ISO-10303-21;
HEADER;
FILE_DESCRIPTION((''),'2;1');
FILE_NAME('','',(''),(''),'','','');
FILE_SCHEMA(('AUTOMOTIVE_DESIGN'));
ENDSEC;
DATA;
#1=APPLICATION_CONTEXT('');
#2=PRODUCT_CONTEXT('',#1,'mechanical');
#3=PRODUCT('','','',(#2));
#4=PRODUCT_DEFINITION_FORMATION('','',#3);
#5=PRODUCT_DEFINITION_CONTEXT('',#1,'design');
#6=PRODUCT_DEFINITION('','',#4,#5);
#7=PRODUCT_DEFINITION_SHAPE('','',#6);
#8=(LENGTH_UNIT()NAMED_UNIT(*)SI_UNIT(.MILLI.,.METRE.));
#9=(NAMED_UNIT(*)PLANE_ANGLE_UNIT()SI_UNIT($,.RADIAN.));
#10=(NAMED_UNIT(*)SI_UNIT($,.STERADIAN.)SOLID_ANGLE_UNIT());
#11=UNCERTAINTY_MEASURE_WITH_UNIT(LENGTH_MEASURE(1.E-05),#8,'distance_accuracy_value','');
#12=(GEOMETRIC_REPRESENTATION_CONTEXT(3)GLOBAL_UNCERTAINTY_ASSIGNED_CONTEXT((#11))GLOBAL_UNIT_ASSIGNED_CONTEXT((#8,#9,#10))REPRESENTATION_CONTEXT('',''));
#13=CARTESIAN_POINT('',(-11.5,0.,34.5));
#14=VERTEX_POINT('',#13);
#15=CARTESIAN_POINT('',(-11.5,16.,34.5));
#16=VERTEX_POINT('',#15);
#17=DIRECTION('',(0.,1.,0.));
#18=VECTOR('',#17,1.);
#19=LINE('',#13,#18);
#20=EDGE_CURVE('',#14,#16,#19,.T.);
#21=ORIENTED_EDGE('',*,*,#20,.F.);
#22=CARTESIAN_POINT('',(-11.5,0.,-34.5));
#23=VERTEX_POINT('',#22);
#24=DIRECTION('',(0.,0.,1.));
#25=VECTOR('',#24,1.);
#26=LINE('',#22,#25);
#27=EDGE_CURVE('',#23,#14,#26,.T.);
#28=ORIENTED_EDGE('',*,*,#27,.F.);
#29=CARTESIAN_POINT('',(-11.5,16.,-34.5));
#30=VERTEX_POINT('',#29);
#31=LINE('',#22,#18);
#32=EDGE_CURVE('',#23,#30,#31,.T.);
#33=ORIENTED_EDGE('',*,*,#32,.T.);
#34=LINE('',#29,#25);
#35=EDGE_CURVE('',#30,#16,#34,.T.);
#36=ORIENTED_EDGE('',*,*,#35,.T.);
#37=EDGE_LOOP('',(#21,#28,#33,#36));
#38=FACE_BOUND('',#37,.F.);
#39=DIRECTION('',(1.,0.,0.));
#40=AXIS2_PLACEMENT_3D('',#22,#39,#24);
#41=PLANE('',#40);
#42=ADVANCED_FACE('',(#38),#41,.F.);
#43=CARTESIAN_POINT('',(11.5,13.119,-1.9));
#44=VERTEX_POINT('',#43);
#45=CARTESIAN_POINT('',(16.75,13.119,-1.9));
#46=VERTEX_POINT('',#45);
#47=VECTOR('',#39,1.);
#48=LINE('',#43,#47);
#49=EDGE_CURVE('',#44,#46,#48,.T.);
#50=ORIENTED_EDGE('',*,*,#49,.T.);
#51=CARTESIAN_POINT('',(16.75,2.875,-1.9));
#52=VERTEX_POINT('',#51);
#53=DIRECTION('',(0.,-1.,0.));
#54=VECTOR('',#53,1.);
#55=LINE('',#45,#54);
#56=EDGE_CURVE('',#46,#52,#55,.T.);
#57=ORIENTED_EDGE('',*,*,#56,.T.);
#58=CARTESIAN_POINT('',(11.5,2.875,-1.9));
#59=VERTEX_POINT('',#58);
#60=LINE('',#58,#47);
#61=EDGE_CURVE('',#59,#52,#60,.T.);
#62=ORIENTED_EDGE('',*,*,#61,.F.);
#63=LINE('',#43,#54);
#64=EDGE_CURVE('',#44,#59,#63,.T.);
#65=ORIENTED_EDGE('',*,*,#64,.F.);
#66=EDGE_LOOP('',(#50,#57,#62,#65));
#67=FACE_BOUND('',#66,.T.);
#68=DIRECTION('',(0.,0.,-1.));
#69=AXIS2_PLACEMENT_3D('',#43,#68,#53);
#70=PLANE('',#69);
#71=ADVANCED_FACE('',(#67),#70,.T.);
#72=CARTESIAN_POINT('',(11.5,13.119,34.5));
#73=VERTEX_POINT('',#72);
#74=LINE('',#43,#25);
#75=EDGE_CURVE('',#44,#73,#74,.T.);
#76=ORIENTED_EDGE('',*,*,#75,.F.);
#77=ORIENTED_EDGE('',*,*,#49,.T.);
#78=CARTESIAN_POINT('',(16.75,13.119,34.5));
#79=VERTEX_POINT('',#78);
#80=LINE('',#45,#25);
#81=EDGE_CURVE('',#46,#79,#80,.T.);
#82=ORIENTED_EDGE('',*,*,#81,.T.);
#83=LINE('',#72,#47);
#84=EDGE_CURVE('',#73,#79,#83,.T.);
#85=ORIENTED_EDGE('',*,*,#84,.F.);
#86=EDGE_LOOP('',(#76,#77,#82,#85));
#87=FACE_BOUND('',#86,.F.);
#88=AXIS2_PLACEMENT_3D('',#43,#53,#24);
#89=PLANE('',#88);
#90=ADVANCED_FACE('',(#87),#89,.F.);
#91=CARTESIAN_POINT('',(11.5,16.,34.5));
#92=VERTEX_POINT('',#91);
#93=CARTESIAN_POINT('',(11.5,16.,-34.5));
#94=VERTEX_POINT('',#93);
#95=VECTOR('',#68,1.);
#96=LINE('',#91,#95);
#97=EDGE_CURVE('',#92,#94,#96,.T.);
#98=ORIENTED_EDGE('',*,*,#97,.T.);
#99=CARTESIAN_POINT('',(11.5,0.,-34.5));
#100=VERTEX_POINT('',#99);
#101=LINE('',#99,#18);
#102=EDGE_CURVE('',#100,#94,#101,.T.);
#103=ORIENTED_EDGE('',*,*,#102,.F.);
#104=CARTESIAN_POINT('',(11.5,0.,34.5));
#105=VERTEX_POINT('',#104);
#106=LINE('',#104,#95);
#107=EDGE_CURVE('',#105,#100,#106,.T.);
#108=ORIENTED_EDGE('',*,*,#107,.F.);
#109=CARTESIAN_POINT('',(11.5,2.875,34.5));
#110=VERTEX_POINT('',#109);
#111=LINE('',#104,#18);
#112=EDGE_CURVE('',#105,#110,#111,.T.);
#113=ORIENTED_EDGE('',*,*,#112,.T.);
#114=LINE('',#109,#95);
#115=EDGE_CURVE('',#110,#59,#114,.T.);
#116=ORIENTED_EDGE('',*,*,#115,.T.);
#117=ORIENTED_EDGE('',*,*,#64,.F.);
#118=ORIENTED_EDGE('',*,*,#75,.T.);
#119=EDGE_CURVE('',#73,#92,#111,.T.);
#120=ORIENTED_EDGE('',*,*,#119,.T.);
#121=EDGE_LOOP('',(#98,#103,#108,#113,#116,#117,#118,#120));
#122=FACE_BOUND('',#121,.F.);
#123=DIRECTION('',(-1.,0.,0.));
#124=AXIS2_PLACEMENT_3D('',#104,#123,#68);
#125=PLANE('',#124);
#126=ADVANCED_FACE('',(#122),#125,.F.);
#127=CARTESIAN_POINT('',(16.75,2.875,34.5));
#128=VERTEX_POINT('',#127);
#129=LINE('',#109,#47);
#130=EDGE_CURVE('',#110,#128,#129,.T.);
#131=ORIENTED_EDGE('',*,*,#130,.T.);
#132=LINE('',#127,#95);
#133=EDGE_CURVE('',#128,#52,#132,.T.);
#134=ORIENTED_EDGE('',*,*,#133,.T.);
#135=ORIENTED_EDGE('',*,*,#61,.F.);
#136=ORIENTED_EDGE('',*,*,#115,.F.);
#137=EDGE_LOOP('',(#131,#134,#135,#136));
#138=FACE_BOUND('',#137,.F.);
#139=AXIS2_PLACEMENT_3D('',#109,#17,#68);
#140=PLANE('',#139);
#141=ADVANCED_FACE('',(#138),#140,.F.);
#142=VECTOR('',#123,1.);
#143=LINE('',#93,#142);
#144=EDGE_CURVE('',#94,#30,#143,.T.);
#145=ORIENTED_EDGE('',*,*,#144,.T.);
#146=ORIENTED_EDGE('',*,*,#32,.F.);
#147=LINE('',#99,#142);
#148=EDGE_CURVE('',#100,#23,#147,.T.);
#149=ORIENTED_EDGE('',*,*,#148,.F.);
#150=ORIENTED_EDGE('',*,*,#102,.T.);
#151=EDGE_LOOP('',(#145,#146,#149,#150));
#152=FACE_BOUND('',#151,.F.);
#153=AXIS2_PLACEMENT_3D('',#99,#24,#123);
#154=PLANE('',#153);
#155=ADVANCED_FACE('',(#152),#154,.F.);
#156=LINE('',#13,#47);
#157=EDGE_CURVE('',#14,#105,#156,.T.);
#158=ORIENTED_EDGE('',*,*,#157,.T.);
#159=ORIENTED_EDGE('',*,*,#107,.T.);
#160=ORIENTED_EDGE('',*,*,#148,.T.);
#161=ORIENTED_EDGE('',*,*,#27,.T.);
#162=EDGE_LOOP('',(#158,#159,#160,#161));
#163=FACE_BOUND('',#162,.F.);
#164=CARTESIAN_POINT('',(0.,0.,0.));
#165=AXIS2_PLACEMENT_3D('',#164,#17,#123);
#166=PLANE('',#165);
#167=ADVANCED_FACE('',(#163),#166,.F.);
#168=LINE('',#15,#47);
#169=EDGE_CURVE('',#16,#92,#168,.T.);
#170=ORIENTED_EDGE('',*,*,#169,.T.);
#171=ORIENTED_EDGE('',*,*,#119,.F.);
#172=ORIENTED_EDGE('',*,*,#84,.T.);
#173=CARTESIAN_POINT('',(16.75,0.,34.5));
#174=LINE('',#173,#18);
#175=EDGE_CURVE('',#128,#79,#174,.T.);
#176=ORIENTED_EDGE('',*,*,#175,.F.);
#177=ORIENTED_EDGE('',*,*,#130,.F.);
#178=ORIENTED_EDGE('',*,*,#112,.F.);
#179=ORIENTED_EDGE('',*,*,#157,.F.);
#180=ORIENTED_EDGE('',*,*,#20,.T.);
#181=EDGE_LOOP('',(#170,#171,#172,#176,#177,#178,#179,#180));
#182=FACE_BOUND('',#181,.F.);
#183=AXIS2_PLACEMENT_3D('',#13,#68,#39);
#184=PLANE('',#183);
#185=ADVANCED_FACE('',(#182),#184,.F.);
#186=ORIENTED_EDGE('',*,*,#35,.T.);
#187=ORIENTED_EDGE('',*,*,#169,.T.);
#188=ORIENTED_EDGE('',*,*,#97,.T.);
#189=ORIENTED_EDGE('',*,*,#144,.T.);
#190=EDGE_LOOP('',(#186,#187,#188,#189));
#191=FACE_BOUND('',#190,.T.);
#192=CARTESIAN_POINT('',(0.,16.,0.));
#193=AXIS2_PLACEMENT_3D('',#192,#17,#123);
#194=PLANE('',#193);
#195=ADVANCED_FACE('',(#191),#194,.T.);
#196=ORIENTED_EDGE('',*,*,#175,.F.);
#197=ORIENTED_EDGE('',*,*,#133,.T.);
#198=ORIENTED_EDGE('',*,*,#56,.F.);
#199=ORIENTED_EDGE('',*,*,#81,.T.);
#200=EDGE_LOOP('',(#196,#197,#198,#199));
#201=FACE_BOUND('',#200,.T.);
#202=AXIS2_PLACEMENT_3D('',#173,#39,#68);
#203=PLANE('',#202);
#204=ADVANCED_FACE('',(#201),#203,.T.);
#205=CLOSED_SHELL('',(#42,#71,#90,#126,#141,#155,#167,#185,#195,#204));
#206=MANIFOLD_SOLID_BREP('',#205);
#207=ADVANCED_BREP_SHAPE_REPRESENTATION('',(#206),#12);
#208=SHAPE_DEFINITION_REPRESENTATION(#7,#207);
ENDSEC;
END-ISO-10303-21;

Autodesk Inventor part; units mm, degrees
ref_plane "YZ Plane" through (0, 0, 0) normal (1, 0, 0) x (0, 1, 0)
ref_plane "XZ Plane" through (0, 0, 0) normal (0, 1, 0) x (-1, 0, 0)
sketch "Sketch1" plane through (0, 0, 0) normal (0, 1, 0) x (-1, 0, 0)
  line L0 (11.5, 34.5) -> (-11.5, 34.5)
  line L1 (-11.5, 34.5) -> (-11.5, -34.5)
  line L2 (-11.5, -34.5) -> (11.5, -34.5)
  line L3 (11.5, -34.5) -> (11.5, 34.5)
  line L4 (11.5, 34.5) -> (-11.5, -34.5) construction
  line L5 (-11.5, 34.5) -> (11.5, -34.5) construction
  point P0 (0, 0)
  dimension "d0" = 23
  dimension "d1" = 69
extrude "Extrusion1" add sketch "Sketch1" along normal blind 16
sketch "Sketch3" plane through (11.5, 0, 34.5) normal (1, 0, 0) x (0, 0, -1)
  line L0 (0, 0) -> (69, 0) projected
  line L1 (69, 0) -> (69, 16) projected
  line L2 (0, 16) -> (69, 16) projected
  line L3 (0, 0) -> (0, 16) projected
  line L4 (41.4, 13.119) -> (36.4, 13.119) projected
  line L5 (36.4, 13.119) -> (36.4, 11.6808) projected
  line L6 (36.4, 11.6668) -> (36.4, 3.375) projected
  line L7 (41.4, 2.875) -> (36.4, 2.875) projected
  line L8 (36.4, 3.375) -> (36.4, 2.875) projected
  line L9 (0, 0) -> (0, 16) projected
  line L10 (36.4, 13.119) -> (0, 13.119)
  line L11 (0, 13.119) -> (0, 2.875)
  line L12 (0, 2.875) -> (36.4, 2.875)
  line L13 (36.4, 2.875) -> (36.4, 13.119)
  point P0 (34.5, 0)
ref_plane "Work Plane1" through (16.75, 3.375, -6.9) normal (1, 0, 0) x (0, 1, 0)
extrude "Extrusion2" add sketch "Sketch3" along normal up to surface (5.25 mm away) contours L3 L10 L5 L13 L6 L8 L12
properties part number "bigLipo"
